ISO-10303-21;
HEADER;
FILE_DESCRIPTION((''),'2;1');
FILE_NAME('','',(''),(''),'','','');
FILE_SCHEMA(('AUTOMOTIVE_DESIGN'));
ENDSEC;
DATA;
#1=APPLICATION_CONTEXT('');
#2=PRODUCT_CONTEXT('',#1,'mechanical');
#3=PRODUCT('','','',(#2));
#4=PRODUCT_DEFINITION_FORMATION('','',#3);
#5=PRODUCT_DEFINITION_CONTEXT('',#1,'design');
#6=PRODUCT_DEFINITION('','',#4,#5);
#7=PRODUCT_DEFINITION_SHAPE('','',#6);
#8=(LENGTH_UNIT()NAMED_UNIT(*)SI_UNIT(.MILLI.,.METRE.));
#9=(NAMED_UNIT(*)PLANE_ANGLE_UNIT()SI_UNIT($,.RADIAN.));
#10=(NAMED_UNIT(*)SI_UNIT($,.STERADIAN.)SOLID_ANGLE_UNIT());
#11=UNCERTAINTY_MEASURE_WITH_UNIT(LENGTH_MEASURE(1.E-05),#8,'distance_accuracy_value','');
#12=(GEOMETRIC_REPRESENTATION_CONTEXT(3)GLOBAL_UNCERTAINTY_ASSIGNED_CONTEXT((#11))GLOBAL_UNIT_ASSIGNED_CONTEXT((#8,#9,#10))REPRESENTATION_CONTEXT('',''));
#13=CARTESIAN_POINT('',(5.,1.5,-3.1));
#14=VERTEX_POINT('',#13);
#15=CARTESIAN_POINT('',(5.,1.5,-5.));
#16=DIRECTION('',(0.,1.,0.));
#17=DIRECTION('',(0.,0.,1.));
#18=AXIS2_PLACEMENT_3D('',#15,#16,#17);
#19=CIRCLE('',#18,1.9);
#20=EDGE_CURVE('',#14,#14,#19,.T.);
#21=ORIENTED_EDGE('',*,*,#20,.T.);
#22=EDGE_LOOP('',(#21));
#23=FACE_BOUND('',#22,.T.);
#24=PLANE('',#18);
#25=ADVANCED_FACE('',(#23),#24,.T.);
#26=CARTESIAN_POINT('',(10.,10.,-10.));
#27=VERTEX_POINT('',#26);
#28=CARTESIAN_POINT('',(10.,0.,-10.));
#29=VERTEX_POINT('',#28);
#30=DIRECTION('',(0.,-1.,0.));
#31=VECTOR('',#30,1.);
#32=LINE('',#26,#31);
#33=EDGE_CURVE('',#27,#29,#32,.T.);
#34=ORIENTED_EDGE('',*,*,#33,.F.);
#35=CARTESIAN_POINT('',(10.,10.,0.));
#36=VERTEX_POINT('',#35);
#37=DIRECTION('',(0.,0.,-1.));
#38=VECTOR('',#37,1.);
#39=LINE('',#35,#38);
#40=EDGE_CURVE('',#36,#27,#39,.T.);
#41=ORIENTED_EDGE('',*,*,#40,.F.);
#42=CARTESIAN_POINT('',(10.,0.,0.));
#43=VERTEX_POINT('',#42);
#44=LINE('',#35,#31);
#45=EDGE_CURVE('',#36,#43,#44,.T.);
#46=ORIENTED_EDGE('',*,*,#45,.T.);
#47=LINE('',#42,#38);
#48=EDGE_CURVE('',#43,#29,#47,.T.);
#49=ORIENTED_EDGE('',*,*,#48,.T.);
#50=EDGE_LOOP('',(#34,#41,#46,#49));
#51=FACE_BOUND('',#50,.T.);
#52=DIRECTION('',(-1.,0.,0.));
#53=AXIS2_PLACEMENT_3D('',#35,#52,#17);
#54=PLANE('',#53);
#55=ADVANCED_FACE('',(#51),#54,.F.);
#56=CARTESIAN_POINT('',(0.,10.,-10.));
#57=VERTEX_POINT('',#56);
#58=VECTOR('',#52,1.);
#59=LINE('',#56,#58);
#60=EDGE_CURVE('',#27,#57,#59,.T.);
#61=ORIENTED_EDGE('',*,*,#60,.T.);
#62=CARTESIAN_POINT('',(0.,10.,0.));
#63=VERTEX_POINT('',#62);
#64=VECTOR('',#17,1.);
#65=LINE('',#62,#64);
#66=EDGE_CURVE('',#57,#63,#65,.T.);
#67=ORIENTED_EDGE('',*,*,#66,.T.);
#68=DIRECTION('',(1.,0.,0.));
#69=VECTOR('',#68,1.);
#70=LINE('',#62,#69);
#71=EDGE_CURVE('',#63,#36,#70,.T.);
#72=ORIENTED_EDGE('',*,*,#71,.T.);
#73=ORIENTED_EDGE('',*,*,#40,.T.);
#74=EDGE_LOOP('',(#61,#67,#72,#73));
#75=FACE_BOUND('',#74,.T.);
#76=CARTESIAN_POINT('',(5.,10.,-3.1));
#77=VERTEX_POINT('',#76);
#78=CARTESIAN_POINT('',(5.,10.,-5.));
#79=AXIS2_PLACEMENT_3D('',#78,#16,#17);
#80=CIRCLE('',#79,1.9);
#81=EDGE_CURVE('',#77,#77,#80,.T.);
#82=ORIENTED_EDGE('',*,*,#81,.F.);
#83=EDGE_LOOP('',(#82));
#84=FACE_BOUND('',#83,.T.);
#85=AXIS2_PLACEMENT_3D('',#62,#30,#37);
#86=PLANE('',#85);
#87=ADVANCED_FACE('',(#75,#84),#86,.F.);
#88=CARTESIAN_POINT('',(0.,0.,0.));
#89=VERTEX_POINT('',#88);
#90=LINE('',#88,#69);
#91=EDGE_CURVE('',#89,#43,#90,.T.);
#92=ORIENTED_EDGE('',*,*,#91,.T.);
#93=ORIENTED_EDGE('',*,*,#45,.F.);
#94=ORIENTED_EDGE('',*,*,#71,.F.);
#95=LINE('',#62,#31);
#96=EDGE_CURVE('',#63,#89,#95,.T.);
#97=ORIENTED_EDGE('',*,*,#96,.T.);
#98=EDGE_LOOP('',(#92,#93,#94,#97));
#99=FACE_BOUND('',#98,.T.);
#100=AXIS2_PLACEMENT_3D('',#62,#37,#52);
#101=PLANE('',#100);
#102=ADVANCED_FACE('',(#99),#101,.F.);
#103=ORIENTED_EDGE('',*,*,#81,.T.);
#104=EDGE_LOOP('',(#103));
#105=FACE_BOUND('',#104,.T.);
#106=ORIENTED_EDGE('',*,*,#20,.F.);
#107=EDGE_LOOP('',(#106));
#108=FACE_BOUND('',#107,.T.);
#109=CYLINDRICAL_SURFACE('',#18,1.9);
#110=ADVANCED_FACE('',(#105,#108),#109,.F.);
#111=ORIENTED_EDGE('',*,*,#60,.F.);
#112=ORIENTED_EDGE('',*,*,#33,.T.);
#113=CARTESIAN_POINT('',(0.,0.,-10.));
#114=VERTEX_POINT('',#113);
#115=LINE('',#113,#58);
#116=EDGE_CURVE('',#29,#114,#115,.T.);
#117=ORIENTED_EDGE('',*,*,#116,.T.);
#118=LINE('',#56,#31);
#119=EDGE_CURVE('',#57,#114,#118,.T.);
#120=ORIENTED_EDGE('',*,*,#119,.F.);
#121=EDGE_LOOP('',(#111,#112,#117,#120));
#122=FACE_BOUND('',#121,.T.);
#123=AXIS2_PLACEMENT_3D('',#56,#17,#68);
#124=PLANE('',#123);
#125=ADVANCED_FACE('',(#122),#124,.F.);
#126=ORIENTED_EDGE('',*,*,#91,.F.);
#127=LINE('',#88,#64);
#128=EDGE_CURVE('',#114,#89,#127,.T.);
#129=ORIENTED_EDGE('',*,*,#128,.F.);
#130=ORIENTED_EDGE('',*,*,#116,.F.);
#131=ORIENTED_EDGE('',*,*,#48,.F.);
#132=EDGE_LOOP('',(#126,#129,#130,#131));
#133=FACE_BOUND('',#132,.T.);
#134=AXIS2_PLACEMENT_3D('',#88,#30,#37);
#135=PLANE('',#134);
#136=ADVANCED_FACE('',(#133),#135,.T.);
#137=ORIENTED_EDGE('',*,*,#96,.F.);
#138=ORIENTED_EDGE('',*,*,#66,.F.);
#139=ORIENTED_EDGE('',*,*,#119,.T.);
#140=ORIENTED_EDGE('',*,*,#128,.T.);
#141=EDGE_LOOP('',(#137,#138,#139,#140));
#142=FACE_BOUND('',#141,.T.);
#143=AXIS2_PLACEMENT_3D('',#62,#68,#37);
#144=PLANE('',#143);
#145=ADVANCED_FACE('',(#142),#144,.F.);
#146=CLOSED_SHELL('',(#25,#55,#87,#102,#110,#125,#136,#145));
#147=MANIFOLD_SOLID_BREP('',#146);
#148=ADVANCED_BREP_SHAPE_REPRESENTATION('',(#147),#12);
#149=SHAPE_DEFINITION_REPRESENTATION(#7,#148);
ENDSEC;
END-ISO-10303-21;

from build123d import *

# Parameters (mm, degrees)
SKETCH1_W           = 10
SKETCH1_H           = 10
BOSS_EXTRUDE1_DEPTH = 10
SKETCH2_R           = 1.9
CUT_EXTRUDE1_DEPTH  = 8.5


with BuildPart() as part:
    # Sketch1 → Boss-Extrude1 (new body)
    with BuildSketch(Plane(origin=(0, 0, 0), x_dir=(1, 0, 0), z_dir=(0, 1, 0))):
        with Locations((5, 5)):
            Rectangle(SKETCH1_W, SKETCH1_H)
    extrude(amount=BOSS_EXTRUDE1_DEPTH)

    # Sketch2 → Cut-Extrude1 (cut)
    with BuildSketch(Plane(origin=(0, 10, 0), x_dir=(1, 0, 0), z_dir=(0, 1, 0))):
        with Locations(Location((5, 5, 0), (0, 0, 270))):
            Circle(SKETCH2_R)
    extrude(amount=-CUT_EXTRUDE1_DEPTH, mode=Mode.SUBTRACT)


solid = part.part
